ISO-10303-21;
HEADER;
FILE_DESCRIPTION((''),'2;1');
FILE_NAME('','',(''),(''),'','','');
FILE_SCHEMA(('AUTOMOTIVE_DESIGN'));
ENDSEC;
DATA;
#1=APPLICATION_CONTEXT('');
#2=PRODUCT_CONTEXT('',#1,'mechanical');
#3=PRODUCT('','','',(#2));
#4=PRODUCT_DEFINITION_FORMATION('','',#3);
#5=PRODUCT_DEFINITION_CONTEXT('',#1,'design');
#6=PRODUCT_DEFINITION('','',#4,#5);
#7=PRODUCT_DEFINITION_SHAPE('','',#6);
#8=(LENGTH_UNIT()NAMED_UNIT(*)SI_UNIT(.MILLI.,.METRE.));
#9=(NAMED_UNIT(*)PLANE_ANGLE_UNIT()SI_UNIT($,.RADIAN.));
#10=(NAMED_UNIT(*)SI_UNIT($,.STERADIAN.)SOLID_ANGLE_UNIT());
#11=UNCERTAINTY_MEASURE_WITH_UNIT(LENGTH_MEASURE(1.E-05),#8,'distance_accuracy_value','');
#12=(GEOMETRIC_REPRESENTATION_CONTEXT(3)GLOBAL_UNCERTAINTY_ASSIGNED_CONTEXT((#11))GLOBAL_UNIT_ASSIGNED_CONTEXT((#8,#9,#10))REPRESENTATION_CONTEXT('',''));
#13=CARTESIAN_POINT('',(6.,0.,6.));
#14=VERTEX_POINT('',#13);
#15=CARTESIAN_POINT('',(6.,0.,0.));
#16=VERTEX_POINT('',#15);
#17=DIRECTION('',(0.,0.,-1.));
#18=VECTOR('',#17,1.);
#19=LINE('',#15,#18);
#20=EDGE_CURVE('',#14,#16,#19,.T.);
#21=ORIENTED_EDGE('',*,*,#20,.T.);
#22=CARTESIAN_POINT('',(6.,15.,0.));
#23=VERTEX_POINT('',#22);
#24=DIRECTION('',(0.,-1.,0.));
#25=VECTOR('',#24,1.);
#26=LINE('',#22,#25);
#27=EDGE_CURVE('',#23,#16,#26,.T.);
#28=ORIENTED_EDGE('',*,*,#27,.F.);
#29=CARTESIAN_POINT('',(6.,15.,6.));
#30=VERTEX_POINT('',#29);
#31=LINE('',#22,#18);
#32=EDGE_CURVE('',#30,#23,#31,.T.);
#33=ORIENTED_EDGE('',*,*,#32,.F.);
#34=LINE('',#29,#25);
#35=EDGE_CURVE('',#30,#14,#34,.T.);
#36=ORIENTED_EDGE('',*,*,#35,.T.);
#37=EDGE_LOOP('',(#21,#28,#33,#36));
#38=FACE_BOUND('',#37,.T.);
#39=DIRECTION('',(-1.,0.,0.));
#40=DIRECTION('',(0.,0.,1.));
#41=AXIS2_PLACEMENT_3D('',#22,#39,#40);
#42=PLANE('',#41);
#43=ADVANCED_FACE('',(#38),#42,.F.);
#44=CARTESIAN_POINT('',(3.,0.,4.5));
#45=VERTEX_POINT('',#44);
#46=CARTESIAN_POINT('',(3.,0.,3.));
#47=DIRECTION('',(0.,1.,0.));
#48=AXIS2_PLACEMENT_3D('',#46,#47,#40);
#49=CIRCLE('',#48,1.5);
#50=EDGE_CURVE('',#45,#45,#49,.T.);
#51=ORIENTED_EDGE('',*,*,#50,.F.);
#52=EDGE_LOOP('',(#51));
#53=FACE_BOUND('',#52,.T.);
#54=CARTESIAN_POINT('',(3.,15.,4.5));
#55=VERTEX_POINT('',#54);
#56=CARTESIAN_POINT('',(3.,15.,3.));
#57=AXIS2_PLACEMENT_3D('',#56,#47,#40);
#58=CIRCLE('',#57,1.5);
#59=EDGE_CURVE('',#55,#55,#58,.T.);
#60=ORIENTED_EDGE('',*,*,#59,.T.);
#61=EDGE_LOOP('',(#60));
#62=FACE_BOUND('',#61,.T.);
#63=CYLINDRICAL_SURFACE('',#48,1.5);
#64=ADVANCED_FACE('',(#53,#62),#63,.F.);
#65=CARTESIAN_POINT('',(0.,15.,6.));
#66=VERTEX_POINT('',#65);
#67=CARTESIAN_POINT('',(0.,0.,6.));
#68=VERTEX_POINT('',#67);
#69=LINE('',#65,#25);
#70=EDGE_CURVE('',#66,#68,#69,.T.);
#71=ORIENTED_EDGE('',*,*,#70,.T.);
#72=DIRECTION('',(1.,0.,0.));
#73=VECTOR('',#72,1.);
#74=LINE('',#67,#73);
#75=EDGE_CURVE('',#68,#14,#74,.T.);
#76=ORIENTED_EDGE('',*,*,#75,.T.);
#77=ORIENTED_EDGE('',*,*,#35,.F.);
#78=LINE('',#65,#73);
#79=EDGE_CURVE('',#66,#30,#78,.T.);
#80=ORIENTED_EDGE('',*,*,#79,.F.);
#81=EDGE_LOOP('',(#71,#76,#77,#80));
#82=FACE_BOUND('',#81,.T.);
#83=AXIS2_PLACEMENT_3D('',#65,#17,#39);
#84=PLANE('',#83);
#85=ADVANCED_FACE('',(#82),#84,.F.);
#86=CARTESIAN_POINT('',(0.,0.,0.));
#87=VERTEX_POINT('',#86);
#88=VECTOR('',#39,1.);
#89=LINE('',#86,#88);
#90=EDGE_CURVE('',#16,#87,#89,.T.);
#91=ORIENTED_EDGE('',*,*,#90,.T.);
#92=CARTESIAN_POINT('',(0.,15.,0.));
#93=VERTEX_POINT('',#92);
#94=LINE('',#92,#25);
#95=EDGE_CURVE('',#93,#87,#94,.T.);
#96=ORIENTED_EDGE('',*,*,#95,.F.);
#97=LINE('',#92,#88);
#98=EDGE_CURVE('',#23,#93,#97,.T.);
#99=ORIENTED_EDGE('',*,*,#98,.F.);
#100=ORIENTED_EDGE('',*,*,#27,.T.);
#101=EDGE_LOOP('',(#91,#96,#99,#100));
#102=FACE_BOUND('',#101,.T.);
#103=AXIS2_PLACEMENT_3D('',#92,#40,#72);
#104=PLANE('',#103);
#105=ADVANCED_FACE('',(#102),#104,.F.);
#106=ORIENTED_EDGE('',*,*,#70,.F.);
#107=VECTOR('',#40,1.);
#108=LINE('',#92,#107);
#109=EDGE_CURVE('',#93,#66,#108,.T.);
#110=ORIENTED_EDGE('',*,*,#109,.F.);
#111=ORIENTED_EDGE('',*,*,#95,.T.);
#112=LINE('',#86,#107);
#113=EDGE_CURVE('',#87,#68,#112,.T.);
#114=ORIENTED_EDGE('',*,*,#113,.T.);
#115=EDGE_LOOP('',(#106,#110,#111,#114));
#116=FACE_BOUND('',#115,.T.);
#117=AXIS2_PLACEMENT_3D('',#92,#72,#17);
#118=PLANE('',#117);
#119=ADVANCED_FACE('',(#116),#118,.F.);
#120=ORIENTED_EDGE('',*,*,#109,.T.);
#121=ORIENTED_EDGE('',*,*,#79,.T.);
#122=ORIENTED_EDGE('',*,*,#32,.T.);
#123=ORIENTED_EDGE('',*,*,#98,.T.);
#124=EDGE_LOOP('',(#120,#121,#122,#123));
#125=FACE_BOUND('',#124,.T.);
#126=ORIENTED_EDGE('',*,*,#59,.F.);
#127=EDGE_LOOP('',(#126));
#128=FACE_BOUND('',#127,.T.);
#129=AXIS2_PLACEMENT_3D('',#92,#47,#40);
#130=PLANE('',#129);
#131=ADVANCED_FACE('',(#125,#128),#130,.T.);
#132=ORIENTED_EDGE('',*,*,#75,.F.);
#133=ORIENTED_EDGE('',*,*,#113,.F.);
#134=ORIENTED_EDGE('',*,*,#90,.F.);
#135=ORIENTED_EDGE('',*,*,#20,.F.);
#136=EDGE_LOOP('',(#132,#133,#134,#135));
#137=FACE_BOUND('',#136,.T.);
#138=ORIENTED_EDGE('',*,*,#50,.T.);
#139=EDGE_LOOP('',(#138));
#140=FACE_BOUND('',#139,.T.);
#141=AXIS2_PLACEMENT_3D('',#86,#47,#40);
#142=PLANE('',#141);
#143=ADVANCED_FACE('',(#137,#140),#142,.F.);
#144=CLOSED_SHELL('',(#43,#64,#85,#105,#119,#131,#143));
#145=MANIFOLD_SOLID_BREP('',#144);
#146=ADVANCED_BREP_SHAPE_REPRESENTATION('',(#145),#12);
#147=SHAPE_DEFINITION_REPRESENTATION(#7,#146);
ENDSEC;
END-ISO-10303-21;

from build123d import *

# Parameters (mm, degrees)
SKETCH1_W           = 6
SKETCH1_H           = 6
BOSS_EXTRUDE1_DEPTH = 15
SKETCH2_R           = 1.5
CUT_EXTRUDE1_DEPTH  = 18.23368794


with BuildPart() as part:
    # Sketch1 → Boss-Extrude1 (new body)
    with BuildSketch(Plane(origin=(0, 0, 0), x_dir=(1, 0, 0), z_dir=(0, 1, 0))):
        with Locations((3, -3)):
            Rectangle(SKETCH1_W, SKETCH1_H)
    extrude(amount=BOSS_EXTRUDE1_DEPTH)

    # Sketch2 → Cut-Extrude1 (cut, through all)
    with BuildSketch(Plane(origin=(0, 15, 0), x_dir=(1, 0, 0), z_dir=(0, 1, 0))):
        with Locations(Location((3, -3, 0), (0, 0, 270))):
            Circle(SKETCH2_R)
    extrude(amount=-CUT_EXTRUDE1_DEPTH, mode=Mode.SUBTRACT)


solid = part.part
